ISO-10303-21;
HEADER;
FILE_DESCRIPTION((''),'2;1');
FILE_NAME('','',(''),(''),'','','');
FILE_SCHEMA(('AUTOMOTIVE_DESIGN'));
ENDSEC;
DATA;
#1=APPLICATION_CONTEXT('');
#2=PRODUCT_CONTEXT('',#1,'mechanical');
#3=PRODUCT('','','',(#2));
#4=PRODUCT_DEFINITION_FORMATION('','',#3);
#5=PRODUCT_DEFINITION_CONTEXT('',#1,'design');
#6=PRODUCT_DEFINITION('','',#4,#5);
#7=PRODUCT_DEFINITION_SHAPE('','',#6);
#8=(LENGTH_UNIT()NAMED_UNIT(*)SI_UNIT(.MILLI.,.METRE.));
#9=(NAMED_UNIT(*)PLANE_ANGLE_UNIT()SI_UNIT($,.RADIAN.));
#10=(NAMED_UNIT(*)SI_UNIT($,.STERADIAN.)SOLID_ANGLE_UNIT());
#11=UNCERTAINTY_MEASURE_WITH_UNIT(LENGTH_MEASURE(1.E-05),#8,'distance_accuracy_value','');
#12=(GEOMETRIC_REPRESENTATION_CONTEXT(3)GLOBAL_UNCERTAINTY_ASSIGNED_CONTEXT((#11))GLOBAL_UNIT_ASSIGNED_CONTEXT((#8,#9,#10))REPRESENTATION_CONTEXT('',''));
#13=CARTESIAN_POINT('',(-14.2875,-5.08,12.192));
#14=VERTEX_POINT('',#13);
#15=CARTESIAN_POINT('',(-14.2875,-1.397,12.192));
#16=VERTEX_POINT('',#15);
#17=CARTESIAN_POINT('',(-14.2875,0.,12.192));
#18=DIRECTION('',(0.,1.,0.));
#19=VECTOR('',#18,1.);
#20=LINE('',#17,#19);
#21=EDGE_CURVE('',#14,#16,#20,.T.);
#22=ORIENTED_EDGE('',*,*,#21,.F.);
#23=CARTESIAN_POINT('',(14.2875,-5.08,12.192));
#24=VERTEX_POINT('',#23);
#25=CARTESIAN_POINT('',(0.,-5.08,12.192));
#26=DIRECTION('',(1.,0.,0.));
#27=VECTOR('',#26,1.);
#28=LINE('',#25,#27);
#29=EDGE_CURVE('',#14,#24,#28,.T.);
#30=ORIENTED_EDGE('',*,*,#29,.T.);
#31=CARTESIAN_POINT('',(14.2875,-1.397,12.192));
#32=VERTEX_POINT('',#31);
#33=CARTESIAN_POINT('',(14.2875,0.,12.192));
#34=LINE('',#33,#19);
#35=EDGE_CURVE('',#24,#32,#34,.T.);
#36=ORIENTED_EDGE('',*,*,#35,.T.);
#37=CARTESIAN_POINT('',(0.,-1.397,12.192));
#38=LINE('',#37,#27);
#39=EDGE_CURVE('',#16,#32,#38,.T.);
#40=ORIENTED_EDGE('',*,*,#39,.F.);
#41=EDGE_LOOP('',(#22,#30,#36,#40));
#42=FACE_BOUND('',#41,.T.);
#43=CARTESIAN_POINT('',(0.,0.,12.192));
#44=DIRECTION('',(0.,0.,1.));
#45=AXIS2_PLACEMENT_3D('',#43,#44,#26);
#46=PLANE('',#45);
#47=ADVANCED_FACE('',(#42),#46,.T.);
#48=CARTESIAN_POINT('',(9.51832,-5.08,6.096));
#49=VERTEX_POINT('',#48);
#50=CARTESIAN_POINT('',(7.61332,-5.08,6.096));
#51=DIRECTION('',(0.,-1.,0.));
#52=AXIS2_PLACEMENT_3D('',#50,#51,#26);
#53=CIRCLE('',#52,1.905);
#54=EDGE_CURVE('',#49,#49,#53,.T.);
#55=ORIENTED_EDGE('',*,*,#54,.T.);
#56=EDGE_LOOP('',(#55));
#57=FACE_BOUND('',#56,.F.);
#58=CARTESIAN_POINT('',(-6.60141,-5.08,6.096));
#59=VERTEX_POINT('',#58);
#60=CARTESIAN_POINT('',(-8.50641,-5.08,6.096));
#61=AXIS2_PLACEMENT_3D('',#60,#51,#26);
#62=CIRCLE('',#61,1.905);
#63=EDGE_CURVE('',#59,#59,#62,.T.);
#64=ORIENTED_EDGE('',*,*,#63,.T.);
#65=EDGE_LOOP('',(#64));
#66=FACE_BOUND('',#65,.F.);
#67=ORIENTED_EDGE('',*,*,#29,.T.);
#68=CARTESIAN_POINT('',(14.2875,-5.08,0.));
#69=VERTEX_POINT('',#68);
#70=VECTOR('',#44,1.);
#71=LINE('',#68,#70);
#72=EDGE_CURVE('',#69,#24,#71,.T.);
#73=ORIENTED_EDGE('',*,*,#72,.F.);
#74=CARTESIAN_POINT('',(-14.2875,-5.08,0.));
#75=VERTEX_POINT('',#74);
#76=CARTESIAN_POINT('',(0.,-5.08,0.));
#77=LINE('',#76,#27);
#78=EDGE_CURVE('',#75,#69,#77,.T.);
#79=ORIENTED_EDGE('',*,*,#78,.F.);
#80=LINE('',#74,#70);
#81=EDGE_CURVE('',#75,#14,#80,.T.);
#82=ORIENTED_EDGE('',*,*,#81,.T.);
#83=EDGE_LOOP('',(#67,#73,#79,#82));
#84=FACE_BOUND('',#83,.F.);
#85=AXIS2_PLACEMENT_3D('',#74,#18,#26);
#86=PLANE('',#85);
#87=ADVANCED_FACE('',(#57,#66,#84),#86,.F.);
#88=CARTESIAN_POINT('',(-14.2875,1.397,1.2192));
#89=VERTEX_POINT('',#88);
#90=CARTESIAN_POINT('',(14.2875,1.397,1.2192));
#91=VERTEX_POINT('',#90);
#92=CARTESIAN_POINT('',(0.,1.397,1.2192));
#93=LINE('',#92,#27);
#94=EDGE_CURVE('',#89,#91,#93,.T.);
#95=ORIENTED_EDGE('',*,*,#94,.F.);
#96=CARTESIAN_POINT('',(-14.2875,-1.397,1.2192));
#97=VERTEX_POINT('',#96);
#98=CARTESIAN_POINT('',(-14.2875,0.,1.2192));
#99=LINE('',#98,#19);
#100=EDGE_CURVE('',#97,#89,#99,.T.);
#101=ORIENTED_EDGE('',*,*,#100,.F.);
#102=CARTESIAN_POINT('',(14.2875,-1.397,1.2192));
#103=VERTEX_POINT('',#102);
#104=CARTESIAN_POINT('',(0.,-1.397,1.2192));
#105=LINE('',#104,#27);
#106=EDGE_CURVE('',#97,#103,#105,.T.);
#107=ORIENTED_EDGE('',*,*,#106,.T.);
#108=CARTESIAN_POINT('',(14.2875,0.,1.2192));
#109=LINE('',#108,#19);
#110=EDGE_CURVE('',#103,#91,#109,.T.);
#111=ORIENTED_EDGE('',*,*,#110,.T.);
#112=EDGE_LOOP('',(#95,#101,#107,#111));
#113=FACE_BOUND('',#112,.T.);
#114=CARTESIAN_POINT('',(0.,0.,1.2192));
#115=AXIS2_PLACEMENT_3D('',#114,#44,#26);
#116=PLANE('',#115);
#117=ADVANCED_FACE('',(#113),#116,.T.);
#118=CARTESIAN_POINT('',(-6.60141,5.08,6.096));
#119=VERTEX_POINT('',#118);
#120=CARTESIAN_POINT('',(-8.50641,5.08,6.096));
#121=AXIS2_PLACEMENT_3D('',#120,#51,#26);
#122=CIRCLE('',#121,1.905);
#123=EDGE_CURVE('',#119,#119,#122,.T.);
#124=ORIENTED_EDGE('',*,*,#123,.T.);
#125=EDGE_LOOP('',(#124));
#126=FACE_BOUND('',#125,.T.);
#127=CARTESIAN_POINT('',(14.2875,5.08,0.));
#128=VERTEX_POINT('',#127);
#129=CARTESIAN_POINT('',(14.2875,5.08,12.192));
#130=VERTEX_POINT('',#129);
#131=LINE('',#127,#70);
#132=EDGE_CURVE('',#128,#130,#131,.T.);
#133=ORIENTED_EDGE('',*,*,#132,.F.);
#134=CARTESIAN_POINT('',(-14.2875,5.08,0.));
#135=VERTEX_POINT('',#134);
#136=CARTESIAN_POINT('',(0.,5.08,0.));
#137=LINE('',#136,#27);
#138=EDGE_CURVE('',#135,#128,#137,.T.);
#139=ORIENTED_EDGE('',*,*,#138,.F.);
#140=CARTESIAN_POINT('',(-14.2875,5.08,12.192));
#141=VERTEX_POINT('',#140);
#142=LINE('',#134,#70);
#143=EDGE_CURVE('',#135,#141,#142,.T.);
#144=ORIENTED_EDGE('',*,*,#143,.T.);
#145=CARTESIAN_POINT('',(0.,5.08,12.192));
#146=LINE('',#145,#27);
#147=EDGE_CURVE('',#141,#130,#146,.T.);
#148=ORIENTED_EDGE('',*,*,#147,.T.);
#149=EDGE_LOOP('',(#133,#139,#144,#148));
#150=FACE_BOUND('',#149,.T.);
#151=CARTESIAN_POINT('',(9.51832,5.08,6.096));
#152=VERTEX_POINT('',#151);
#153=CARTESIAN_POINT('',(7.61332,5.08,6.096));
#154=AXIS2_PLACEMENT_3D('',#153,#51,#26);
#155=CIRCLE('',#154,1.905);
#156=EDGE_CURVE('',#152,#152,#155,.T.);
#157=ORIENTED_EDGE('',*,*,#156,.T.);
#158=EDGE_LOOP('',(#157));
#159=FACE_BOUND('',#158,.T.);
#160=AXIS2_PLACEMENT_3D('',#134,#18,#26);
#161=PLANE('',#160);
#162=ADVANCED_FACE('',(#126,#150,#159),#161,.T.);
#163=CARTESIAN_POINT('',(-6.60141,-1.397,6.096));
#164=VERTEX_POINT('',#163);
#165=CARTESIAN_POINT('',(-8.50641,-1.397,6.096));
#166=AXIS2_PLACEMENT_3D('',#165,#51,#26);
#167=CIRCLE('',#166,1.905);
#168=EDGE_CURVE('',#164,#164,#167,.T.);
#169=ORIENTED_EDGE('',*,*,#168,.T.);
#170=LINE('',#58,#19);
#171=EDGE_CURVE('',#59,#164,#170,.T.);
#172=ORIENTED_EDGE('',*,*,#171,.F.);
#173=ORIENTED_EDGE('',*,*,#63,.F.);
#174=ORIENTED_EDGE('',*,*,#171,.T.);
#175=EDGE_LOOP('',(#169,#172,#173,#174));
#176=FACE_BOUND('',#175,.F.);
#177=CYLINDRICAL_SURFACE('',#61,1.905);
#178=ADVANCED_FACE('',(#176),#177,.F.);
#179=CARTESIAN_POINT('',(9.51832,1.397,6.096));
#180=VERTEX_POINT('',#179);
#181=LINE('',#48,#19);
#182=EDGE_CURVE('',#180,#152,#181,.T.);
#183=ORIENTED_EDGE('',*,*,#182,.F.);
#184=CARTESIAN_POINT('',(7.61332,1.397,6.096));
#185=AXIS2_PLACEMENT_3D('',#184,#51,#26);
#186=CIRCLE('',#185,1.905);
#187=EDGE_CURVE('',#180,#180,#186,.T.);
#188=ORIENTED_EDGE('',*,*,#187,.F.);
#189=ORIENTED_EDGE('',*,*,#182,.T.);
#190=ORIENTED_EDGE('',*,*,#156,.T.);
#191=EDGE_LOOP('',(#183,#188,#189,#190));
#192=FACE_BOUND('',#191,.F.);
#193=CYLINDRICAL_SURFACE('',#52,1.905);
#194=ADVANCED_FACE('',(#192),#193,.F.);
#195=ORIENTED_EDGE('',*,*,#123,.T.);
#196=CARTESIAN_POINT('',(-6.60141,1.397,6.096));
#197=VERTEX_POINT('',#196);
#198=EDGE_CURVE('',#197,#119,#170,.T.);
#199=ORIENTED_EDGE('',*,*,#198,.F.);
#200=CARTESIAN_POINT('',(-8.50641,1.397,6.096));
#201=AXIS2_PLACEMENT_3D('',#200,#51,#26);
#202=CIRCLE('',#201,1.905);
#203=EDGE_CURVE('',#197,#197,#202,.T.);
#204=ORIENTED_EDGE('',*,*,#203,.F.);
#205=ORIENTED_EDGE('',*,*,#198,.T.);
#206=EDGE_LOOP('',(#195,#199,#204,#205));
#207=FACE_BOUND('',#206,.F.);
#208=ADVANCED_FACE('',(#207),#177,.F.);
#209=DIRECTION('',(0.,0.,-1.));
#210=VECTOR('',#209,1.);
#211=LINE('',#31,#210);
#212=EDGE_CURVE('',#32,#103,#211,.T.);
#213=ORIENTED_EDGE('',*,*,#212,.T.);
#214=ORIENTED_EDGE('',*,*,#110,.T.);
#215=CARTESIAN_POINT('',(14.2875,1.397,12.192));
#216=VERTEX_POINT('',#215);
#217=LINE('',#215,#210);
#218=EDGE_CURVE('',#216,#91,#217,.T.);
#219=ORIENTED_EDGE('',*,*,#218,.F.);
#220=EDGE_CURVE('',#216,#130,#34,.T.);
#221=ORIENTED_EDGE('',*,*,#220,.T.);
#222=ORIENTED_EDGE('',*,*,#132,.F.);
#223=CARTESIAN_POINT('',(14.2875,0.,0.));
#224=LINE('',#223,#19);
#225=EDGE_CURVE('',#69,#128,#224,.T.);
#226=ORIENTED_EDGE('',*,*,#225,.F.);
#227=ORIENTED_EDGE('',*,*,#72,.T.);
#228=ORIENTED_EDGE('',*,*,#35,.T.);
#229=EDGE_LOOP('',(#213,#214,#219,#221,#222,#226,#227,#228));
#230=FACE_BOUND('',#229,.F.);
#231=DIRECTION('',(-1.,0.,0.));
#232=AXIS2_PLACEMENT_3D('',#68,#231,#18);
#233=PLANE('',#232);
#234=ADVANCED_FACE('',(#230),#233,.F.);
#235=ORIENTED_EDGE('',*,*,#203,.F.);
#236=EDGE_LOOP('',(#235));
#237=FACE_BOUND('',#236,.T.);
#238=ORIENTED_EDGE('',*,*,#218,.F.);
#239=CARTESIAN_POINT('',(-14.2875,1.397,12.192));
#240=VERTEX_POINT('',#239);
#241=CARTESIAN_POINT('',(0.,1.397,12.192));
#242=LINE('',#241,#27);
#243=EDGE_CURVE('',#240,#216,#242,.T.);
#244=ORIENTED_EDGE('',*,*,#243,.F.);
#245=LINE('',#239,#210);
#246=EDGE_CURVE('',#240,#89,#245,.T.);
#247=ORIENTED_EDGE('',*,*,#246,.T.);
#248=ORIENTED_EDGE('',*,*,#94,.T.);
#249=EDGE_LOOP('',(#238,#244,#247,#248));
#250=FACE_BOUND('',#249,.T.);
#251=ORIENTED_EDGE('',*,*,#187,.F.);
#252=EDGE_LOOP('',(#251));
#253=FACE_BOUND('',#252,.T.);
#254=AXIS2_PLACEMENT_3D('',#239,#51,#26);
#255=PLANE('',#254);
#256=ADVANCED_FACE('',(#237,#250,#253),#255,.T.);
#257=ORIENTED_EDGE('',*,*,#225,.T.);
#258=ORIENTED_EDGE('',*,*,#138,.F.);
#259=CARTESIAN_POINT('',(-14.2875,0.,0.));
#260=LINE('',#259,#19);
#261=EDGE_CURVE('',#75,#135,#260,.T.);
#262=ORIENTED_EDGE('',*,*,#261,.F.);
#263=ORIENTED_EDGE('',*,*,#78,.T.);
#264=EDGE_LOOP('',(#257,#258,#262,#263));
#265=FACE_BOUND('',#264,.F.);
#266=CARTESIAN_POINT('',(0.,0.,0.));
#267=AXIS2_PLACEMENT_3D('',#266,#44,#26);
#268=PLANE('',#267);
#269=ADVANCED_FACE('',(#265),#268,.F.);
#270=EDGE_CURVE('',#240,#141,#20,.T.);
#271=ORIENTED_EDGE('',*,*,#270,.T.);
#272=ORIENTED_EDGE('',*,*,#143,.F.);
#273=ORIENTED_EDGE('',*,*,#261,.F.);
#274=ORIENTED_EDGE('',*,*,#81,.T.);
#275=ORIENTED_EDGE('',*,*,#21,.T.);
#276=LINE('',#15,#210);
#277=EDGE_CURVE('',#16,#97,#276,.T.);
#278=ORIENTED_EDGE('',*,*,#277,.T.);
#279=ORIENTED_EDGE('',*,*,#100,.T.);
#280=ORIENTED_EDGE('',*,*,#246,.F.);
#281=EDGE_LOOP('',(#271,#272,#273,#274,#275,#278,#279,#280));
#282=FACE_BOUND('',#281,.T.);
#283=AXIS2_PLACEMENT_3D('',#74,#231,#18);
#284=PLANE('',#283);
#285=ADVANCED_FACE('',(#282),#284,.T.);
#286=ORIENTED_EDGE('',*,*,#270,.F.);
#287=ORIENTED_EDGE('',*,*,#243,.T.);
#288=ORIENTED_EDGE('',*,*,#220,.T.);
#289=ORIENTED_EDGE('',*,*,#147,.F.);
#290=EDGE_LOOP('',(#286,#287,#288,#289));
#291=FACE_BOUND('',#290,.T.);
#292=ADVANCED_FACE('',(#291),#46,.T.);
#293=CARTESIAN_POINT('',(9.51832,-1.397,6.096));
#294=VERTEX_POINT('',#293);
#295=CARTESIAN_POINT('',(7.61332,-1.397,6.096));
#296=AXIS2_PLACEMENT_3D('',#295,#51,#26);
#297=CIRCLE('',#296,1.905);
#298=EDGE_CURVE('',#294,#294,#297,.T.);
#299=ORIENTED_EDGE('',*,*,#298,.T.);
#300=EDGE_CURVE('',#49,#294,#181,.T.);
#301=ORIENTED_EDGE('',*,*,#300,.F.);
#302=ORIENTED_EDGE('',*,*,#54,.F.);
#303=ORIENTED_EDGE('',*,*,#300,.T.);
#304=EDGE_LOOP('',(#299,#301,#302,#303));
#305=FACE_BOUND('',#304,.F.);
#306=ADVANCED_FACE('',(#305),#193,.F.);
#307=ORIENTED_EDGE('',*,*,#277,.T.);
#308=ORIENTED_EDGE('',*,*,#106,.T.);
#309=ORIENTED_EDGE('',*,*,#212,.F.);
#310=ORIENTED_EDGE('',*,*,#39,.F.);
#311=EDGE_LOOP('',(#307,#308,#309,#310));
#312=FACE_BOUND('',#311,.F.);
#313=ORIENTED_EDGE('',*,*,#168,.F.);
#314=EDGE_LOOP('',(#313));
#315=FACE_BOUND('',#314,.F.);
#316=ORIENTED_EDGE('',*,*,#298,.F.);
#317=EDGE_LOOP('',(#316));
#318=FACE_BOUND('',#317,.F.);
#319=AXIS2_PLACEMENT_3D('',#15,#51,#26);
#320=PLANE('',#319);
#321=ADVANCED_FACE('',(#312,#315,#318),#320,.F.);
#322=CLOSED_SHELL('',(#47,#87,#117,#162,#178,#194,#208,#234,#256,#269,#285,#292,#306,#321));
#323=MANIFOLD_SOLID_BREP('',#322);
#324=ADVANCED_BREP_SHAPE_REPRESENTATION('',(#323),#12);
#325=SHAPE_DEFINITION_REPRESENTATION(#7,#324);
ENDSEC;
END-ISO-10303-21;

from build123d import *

# Parameters (mm, degrees)
F0_W     = 28.575
F0_H     = 10.16
F1_DEPTH = 12.192
F2_W     = 28.575
F2_H     = 2.794
F3_DEPTH = 10.9728
F4_R     = 1.905
F5_DEPTH = 25.4


with BuildPart() as f1:
    # F0 (on Top) → F1 (new body)
    with BuildSketch(Plane.XY):
        Rectangle(F0_W, F0_H)
    extrude(amount=F1_DEPTH)

    # F2 (on face) → F3 (cut)
    with BuildSketch(Plane.XY.offset(12.192)):
        Rectangle(F2_W, F2_H)
    extrude(amount=-F3_DEPTH, mode=Mode.SUBTRACT)

    # F4 (on face) → F5 (cut)
    with BuildSketch(Plane.XZ.offset(5.08)):
        with Locations((-8.50641, 6.096)):
            Circle(F4_R)
        with Locations((7.61332, 6.096)):
            Circle(F4_R)
    extrude(amount=-F5_DEPTH, mode=Mode.SUBTRACT)


solid = f1.part
